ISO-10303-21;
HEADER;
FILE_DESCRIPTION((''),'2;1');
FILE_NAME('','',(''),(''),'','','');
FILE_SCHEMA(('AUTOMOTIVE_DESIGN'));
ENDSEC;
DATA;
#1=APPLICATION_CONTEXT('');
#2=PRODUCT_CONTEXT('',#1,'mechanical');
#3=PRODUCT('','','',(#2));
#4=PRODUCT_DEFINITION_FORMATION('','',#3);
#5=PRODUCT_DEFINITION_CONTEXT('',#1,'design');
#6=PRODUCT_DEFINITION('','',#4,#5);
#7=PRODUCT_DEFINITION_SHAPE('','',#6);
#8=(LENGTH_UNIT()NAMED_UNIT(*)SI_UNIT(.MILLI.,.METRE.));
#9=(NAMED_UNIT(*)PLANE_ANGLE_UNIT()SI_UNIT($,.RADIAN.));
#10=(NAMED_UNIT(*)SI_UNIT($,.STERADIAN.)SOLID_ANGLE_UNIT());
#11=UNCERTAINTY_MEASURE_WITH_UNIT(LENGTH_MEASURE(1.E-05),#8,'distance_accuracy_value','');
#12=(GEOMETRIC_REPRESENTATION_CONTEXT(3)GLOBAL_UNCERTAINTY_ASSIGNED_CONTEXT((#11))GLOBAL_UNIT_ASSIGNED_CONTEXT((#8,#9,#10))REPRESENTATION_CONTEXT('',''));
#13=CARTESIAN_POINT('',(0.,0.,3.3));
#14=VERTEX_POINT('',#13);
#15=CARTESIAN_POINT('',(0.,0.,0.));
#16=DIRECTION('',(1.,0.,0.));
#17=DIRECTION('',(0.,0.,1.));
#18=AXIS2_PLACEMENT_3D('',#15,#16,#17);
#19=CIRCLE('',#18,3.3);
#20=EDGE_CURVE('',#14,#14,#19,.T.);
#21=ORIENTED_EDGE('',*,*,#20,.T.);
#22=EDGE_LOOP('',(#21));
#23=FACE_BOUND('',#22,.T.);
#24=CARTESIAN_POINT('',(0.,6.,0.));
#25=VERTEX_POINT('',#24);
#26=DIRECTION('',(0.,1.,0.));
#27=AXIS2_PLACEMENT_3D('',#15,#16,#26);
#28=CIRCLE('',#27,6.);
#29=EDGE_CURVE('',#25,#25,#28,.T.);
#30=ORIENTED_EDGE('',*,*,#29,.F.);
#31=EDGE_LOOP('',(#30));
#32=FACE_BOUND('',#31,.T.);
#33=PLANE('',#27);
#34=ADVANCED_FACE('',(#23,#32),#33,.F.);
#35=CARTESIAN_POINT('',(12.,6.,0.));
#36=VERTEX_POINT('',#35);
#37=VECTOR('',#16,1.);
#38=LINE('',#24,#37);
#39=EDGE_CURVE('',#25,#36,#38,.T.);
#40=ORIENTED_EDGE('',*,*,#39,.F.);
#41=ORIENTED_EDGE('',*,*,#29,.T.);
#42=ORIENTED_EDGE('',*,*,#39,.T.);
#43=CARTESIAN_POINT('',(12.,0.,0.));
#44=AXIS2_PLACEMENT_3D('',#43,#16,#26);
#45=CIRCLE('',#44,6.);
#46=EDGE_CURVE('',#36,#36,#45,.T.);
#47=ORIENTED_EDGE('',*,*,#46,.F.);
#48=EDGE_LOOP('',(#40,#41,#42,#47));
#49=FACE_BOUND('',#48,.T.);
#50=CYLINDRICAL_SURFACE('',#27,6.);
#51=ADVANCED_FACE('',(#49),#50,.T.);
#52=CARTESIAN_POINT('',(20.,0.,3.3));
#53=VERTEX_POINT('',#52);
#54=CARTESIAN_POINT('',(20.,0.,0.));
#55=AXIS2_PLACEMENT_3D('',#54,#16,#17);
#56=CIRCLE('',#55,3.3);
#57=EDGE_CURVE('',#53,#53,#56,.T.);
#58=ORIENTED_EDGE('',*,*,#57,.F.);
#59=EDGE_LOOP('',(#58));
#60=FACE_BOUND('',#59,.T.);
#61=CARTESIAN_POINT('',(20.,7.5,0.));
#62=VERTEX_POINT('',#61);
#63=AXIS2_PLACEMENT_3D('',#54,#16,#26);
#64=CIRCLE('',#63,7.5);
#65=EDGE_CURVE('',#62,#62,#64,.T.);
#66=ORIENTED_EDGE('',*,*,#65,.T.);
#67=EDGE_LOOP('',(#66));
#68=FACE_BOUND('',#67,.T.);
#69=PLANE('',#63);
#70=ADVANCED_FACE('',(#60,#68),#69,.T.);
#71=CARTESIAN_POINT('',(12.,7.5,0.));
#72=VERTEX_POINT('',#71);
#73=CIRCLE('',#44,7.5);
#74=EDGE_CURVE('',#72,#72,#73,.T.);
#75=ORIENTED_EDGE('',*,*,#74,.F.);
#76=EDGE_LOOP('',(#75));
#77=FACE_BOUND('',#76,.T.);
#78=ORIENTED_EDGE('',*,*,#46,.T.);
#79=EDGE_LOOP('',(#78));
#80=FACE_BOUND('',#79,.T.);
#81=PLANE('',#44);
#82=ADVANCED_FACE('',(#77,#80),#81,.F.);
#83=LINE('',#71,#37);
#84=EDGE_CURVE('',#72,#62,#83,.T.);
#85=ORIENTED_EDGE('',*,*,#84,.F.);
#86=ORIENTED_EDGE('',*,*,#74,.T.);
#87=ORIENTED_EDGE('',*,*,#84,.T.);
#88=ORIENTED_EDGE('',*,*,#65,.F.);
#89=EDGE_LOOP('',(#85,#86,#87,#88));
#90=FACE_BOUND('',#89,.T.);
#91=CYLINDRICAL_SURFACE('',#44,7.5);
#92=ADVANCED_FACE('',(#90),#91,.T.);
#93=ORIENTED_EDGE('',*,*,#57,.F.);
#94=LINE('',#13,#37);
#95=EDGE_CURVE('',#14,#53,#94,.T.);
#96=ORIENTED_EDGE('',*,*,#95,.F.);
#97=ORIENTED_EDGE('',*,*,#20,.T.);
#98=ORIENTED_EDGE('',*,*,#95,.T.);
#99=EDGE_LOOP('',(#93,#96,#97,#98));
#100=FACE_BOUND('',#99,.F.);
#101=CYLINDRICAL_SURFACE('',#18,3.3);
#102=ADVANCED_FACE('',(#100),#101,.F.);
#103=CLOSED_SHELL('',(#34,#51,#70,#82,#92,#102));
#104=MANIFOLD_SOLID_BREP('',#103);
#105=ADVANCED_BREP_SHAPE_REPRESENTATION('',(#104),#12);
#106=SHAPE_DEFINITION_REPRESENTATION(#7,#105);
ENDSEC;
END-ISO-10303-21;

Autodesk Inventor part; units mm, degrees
ref_plane "Płaszczyzna początkowa" through (0, 0, 0) normal (1, 0, 0) x (0, 1, 0)
ref_plane "XZ Plane" through (0, 0, 0) normal (0, 1, 0) x (-1, 0, 0)
ref_plane "XY Plane" through (0, 0, 0) normal (0, 0, 1) x (1, 0, 0)
sketch "Szkic główny" plane through (0, 0, 0) normal (0, 0, 1) x (1, 0, 0)
  line L0 (0, 0) -> (20, 0)
  line L1 (0, 0) -> (0, 6)
  line L2 (0, 6) -> (12, 6)
  line L3 (12, 6) -> (12, 7.5)
  line L4 (20, 7.5) -> (20, 0)
  line L5 (12, 7.5) -> (20, 7.5)
  dimension "d11" = 12
  dimension "d12" = 15
revolve "Obrót1" add sketch "Szkic główny" angle 360 about axis through (0, 0, 0) along (1, 0, 0)
sketch "Szkic4" plane through (0, 0, 0) normal (-1, 0, 0) x (0, 0, 1)
  point P0 (0, 0)
hole "Otwór2" at (0, 0, 0) direction (1, 0, 0) diameter 6.6 end through all
equation "\"Length\" = 20"
properties part number "Wał" material "Steel"
